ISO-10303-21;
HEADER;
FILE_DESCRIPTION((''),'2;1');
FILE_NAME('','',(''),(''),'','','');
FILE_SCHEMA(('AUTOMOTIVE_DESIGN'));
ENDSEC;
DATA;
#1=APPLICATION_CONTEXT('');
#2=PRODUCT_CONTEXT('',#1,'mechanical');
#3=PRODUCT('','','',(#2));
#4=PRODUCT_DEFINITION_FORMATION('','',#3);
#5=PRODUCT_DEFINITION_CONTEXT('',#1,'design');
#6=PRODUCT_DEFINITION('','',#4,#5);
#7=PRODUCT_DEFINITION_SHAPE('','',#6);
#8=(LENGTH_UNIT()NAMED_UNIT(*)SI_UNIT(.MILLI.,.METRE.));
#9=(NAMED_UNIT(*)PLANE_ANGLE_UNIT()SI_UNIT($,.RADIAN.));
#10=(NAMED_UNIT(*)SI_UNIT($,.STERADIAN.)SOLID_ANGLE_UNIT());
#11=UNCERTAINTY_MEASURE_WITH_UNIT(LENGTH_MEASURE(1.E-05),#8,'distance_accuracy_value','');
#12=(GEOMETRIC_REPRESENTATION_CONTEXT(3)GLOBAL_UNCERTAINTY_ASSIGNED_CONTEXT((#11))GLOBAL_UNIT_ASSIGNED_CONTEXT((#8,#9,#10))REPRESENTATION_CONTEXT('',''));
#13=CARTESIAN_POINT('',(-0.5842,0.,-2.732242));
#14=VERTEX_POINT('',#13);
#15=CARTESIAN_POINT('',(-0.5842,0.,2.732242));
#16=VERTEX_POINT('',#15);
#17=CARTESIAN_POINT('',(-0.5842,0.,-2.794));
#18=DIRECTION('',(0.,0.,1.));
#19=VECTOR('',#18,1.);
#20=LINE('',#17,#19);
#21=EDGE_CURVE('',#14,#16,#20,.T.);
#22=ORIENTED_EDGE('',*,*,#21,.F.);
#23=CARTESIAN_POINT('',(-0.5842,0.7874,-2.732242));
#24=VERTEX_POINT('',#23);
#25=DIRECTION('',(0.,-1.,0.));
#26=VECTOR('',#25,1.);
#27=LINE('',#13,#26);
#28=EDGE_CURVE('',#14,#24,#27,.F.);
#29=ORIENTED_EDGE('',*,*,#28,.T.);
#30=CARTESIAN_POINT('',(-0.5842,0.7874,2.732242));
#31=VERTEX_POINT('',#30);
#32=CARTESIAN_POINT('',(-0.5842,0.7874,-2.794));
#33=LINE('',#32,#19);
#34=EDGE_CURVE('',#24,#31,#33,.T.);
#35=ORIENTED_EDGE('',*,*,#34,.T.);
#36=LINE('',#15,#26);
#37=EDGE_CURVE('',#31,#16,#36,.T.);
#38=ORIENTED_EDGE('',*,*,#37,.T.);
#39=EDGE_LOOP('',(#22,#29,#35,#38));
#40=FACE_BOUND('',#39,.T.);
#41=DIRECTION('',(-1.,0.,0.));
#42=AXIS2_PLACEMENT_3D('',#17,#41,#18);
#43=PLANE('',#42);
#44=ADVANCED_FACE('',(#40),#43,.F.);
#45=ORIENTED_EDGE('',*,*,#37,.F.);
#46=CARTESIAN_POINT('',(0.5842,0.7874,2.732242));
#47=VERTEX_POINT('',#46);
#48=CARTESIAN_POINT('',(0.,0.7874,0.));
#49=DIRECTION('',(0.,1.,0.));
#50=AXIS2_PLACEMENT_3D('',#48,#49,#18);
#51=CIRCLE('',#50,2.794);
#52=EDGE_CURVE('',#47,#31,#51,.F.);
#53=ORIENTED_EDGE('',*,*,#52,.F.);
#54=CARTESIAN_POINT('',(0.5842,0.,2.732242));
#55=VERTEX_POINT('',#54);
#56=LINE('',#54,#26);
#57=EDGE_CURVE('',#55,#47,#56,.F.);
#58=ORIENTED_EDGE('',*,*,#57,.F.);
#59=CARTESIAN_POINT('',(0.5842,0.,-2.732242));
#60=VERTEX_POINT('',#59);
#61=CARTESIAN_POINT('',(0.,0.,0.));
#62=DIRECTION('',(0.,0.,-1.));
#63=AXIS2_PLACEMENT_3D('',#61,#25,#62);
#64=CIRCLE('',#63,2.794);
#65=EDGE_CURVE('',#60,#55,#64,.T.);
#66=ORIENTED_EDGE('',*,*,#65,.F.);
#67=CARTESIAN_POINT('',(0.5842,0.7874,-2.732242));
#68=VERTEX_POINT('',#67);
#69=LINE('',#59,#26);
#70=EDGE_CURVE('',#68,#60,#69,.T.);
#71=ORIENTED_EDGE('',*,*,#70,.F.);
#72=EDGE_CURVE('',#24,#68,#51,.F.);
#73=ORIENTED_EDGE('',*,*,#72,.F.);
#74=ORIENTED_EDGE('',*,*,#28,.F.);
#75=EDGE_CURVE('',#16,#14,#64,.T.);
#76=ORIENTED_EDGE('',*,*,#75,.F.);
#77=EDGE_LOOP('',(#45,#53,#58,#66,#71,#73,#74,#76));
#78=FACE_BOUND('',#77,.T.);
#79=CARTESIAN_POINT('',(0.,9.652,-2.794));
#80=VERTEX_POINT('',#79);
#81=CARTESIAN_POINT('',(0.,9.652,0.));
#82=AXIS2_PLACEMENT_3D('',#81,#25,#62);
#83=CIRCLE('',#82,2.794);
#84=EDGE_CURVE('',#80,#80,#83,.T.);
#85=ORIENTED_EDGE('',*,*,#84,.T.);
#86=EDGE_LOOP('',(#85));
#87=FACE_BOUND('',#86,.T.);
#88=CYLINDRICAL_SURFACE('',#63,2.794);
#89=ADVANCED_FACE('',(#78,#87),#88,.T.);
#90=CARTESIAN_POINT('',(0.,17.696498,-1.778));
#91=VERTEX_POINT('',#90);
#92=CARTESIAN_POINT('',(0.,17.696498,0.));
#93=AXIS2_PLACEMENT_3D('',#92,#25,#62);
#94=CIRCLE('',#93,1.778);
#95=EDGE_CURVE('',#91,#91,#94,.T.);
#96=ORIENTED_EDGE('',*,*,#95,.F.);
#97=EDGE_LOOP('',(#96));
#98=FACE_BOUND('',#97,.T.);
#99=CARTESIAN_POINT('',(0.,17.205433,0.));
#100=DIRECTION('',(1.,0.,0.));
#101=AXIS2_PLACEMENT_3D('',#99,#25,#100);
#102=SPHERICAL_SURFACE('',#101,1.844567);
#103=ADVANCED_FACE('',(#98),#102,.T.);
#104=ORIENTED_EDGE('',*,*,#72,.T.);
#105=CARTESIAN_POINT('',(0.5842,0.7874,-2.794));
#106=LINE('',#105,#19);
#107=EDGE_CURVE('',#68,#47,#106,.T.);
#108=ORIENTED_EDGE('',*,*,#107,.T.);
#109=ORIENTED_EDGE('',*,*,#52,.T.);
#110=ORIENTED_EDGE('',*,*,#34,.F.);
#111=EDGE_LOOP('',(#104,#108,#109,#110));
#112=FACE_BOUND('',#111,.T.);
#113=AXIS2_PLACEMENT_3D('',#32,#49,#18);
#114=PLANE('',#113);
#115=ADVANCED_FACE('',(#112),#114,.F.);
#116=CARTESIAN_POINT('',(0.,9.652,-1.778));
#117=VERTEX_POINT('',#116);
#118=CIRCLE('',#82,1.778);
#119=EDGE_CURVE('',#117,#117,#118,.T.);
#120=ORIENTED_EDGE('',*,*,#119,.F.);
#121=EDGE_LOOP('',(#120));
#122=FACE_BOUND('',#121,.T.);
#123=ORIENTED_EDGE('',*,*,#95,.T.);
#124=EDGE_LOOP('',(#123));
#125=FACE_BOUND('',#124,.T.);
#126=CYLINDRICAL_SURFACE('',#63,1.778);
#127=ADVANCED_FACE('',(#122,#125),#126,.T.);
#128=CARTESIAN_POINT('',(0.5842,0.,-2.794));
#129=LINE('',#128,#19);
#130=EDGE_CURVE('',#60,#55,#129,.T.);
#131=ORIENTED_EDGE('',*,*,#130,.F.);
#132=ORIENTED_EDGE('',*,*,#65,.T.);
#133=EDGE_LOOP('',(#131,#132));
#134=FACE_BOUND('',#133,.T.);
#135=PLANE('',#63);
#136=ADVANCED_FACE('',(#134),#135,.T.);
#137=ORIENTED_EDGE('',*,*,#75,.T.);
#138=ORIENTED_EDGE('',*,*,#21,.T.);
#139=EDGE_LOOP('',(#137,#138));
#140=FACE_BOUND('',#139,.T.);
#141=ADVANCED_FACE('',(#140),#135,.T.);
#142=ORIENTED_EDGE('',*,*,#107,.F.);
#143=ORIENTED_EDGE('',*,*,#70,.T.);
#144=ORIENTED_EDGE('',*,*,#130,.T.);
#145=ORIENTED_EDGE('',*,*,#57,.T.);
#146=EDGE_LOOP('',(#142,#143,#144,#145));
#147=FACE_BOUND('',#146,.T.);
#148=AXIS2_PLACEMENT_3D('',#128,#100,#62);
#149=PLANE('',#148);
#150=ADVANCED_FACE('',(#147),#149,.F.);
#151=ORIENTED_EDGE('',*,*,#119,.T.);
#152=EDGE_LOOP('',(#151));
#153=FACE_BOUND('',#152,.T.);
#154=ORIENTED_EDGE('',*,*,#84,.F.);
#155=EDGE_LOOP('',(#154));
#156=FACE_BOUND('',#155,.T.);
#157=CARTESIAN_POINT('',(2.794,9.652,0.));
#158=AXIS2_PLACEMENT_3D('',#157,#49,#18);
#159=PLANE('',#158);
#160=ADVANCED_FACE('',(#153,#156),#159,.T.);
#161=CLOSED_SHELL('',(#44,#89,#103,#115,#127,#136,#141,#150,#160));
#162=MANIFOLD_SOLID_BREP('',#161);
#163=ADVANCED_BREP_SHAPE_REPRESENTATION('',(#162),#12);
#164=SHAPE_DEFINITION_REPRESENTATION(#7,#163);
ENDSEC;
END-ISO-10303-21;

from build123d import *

# Parameters (mm, degrees)
CUT_EXTRUDE1_DEPTH      = 20.455471518
CUT_EXTRUDE1_DEPTH_BACK = 20.455471518
SKETCH2_W               = 1.1684
SKETCH2_H               = 0.7874


with BuildPart() as part:
    # Sketch1 → Revolve1 (revolve)
    with BuildSketch(Plane.XY, mode=Mode.PRIVATE) as revolve1_sk:
        with BuildLine():
            Line((0, 0), (0, 19.05))
            ThreePointArc((0, 19.05), (1.117279291, 18.67312328), (1.778, 17.696497855))
            Line((1.778, 17.696497855), (1.778, 9.652))
            Line((1.778, 9.652), (2.794, 9.652))
            Line((2.794, 9.652), (2.794, 0))
            Line((2.794, 0), (0, 0))
        make_face()
    revolve(revolve1_sk.sketch.rotate(Axis((0, 0, 0), (0, 1, 0)), 90), axis=Axis((0, 0, 0), (0, 1, 0)))

    # Sketch2 → Cut-Extrude1 (cut, two sides: drawn at the far end of the back side and taken through both)
    with BuildSketch(Plane.XY.offset(-CUT_EXTRUDE1_DEPTH_BACK)):
        with Locations((0, 0.3937)):
            Rectangle(SKETCH2_W, SKETCH2_H)
    extrude(amount=CUT_EXTRUDE1_DEPTH + CUT_EXTRUDE1_DEPTH_BACK, mode=Mode.SUBTRACT)


solid = part.part
